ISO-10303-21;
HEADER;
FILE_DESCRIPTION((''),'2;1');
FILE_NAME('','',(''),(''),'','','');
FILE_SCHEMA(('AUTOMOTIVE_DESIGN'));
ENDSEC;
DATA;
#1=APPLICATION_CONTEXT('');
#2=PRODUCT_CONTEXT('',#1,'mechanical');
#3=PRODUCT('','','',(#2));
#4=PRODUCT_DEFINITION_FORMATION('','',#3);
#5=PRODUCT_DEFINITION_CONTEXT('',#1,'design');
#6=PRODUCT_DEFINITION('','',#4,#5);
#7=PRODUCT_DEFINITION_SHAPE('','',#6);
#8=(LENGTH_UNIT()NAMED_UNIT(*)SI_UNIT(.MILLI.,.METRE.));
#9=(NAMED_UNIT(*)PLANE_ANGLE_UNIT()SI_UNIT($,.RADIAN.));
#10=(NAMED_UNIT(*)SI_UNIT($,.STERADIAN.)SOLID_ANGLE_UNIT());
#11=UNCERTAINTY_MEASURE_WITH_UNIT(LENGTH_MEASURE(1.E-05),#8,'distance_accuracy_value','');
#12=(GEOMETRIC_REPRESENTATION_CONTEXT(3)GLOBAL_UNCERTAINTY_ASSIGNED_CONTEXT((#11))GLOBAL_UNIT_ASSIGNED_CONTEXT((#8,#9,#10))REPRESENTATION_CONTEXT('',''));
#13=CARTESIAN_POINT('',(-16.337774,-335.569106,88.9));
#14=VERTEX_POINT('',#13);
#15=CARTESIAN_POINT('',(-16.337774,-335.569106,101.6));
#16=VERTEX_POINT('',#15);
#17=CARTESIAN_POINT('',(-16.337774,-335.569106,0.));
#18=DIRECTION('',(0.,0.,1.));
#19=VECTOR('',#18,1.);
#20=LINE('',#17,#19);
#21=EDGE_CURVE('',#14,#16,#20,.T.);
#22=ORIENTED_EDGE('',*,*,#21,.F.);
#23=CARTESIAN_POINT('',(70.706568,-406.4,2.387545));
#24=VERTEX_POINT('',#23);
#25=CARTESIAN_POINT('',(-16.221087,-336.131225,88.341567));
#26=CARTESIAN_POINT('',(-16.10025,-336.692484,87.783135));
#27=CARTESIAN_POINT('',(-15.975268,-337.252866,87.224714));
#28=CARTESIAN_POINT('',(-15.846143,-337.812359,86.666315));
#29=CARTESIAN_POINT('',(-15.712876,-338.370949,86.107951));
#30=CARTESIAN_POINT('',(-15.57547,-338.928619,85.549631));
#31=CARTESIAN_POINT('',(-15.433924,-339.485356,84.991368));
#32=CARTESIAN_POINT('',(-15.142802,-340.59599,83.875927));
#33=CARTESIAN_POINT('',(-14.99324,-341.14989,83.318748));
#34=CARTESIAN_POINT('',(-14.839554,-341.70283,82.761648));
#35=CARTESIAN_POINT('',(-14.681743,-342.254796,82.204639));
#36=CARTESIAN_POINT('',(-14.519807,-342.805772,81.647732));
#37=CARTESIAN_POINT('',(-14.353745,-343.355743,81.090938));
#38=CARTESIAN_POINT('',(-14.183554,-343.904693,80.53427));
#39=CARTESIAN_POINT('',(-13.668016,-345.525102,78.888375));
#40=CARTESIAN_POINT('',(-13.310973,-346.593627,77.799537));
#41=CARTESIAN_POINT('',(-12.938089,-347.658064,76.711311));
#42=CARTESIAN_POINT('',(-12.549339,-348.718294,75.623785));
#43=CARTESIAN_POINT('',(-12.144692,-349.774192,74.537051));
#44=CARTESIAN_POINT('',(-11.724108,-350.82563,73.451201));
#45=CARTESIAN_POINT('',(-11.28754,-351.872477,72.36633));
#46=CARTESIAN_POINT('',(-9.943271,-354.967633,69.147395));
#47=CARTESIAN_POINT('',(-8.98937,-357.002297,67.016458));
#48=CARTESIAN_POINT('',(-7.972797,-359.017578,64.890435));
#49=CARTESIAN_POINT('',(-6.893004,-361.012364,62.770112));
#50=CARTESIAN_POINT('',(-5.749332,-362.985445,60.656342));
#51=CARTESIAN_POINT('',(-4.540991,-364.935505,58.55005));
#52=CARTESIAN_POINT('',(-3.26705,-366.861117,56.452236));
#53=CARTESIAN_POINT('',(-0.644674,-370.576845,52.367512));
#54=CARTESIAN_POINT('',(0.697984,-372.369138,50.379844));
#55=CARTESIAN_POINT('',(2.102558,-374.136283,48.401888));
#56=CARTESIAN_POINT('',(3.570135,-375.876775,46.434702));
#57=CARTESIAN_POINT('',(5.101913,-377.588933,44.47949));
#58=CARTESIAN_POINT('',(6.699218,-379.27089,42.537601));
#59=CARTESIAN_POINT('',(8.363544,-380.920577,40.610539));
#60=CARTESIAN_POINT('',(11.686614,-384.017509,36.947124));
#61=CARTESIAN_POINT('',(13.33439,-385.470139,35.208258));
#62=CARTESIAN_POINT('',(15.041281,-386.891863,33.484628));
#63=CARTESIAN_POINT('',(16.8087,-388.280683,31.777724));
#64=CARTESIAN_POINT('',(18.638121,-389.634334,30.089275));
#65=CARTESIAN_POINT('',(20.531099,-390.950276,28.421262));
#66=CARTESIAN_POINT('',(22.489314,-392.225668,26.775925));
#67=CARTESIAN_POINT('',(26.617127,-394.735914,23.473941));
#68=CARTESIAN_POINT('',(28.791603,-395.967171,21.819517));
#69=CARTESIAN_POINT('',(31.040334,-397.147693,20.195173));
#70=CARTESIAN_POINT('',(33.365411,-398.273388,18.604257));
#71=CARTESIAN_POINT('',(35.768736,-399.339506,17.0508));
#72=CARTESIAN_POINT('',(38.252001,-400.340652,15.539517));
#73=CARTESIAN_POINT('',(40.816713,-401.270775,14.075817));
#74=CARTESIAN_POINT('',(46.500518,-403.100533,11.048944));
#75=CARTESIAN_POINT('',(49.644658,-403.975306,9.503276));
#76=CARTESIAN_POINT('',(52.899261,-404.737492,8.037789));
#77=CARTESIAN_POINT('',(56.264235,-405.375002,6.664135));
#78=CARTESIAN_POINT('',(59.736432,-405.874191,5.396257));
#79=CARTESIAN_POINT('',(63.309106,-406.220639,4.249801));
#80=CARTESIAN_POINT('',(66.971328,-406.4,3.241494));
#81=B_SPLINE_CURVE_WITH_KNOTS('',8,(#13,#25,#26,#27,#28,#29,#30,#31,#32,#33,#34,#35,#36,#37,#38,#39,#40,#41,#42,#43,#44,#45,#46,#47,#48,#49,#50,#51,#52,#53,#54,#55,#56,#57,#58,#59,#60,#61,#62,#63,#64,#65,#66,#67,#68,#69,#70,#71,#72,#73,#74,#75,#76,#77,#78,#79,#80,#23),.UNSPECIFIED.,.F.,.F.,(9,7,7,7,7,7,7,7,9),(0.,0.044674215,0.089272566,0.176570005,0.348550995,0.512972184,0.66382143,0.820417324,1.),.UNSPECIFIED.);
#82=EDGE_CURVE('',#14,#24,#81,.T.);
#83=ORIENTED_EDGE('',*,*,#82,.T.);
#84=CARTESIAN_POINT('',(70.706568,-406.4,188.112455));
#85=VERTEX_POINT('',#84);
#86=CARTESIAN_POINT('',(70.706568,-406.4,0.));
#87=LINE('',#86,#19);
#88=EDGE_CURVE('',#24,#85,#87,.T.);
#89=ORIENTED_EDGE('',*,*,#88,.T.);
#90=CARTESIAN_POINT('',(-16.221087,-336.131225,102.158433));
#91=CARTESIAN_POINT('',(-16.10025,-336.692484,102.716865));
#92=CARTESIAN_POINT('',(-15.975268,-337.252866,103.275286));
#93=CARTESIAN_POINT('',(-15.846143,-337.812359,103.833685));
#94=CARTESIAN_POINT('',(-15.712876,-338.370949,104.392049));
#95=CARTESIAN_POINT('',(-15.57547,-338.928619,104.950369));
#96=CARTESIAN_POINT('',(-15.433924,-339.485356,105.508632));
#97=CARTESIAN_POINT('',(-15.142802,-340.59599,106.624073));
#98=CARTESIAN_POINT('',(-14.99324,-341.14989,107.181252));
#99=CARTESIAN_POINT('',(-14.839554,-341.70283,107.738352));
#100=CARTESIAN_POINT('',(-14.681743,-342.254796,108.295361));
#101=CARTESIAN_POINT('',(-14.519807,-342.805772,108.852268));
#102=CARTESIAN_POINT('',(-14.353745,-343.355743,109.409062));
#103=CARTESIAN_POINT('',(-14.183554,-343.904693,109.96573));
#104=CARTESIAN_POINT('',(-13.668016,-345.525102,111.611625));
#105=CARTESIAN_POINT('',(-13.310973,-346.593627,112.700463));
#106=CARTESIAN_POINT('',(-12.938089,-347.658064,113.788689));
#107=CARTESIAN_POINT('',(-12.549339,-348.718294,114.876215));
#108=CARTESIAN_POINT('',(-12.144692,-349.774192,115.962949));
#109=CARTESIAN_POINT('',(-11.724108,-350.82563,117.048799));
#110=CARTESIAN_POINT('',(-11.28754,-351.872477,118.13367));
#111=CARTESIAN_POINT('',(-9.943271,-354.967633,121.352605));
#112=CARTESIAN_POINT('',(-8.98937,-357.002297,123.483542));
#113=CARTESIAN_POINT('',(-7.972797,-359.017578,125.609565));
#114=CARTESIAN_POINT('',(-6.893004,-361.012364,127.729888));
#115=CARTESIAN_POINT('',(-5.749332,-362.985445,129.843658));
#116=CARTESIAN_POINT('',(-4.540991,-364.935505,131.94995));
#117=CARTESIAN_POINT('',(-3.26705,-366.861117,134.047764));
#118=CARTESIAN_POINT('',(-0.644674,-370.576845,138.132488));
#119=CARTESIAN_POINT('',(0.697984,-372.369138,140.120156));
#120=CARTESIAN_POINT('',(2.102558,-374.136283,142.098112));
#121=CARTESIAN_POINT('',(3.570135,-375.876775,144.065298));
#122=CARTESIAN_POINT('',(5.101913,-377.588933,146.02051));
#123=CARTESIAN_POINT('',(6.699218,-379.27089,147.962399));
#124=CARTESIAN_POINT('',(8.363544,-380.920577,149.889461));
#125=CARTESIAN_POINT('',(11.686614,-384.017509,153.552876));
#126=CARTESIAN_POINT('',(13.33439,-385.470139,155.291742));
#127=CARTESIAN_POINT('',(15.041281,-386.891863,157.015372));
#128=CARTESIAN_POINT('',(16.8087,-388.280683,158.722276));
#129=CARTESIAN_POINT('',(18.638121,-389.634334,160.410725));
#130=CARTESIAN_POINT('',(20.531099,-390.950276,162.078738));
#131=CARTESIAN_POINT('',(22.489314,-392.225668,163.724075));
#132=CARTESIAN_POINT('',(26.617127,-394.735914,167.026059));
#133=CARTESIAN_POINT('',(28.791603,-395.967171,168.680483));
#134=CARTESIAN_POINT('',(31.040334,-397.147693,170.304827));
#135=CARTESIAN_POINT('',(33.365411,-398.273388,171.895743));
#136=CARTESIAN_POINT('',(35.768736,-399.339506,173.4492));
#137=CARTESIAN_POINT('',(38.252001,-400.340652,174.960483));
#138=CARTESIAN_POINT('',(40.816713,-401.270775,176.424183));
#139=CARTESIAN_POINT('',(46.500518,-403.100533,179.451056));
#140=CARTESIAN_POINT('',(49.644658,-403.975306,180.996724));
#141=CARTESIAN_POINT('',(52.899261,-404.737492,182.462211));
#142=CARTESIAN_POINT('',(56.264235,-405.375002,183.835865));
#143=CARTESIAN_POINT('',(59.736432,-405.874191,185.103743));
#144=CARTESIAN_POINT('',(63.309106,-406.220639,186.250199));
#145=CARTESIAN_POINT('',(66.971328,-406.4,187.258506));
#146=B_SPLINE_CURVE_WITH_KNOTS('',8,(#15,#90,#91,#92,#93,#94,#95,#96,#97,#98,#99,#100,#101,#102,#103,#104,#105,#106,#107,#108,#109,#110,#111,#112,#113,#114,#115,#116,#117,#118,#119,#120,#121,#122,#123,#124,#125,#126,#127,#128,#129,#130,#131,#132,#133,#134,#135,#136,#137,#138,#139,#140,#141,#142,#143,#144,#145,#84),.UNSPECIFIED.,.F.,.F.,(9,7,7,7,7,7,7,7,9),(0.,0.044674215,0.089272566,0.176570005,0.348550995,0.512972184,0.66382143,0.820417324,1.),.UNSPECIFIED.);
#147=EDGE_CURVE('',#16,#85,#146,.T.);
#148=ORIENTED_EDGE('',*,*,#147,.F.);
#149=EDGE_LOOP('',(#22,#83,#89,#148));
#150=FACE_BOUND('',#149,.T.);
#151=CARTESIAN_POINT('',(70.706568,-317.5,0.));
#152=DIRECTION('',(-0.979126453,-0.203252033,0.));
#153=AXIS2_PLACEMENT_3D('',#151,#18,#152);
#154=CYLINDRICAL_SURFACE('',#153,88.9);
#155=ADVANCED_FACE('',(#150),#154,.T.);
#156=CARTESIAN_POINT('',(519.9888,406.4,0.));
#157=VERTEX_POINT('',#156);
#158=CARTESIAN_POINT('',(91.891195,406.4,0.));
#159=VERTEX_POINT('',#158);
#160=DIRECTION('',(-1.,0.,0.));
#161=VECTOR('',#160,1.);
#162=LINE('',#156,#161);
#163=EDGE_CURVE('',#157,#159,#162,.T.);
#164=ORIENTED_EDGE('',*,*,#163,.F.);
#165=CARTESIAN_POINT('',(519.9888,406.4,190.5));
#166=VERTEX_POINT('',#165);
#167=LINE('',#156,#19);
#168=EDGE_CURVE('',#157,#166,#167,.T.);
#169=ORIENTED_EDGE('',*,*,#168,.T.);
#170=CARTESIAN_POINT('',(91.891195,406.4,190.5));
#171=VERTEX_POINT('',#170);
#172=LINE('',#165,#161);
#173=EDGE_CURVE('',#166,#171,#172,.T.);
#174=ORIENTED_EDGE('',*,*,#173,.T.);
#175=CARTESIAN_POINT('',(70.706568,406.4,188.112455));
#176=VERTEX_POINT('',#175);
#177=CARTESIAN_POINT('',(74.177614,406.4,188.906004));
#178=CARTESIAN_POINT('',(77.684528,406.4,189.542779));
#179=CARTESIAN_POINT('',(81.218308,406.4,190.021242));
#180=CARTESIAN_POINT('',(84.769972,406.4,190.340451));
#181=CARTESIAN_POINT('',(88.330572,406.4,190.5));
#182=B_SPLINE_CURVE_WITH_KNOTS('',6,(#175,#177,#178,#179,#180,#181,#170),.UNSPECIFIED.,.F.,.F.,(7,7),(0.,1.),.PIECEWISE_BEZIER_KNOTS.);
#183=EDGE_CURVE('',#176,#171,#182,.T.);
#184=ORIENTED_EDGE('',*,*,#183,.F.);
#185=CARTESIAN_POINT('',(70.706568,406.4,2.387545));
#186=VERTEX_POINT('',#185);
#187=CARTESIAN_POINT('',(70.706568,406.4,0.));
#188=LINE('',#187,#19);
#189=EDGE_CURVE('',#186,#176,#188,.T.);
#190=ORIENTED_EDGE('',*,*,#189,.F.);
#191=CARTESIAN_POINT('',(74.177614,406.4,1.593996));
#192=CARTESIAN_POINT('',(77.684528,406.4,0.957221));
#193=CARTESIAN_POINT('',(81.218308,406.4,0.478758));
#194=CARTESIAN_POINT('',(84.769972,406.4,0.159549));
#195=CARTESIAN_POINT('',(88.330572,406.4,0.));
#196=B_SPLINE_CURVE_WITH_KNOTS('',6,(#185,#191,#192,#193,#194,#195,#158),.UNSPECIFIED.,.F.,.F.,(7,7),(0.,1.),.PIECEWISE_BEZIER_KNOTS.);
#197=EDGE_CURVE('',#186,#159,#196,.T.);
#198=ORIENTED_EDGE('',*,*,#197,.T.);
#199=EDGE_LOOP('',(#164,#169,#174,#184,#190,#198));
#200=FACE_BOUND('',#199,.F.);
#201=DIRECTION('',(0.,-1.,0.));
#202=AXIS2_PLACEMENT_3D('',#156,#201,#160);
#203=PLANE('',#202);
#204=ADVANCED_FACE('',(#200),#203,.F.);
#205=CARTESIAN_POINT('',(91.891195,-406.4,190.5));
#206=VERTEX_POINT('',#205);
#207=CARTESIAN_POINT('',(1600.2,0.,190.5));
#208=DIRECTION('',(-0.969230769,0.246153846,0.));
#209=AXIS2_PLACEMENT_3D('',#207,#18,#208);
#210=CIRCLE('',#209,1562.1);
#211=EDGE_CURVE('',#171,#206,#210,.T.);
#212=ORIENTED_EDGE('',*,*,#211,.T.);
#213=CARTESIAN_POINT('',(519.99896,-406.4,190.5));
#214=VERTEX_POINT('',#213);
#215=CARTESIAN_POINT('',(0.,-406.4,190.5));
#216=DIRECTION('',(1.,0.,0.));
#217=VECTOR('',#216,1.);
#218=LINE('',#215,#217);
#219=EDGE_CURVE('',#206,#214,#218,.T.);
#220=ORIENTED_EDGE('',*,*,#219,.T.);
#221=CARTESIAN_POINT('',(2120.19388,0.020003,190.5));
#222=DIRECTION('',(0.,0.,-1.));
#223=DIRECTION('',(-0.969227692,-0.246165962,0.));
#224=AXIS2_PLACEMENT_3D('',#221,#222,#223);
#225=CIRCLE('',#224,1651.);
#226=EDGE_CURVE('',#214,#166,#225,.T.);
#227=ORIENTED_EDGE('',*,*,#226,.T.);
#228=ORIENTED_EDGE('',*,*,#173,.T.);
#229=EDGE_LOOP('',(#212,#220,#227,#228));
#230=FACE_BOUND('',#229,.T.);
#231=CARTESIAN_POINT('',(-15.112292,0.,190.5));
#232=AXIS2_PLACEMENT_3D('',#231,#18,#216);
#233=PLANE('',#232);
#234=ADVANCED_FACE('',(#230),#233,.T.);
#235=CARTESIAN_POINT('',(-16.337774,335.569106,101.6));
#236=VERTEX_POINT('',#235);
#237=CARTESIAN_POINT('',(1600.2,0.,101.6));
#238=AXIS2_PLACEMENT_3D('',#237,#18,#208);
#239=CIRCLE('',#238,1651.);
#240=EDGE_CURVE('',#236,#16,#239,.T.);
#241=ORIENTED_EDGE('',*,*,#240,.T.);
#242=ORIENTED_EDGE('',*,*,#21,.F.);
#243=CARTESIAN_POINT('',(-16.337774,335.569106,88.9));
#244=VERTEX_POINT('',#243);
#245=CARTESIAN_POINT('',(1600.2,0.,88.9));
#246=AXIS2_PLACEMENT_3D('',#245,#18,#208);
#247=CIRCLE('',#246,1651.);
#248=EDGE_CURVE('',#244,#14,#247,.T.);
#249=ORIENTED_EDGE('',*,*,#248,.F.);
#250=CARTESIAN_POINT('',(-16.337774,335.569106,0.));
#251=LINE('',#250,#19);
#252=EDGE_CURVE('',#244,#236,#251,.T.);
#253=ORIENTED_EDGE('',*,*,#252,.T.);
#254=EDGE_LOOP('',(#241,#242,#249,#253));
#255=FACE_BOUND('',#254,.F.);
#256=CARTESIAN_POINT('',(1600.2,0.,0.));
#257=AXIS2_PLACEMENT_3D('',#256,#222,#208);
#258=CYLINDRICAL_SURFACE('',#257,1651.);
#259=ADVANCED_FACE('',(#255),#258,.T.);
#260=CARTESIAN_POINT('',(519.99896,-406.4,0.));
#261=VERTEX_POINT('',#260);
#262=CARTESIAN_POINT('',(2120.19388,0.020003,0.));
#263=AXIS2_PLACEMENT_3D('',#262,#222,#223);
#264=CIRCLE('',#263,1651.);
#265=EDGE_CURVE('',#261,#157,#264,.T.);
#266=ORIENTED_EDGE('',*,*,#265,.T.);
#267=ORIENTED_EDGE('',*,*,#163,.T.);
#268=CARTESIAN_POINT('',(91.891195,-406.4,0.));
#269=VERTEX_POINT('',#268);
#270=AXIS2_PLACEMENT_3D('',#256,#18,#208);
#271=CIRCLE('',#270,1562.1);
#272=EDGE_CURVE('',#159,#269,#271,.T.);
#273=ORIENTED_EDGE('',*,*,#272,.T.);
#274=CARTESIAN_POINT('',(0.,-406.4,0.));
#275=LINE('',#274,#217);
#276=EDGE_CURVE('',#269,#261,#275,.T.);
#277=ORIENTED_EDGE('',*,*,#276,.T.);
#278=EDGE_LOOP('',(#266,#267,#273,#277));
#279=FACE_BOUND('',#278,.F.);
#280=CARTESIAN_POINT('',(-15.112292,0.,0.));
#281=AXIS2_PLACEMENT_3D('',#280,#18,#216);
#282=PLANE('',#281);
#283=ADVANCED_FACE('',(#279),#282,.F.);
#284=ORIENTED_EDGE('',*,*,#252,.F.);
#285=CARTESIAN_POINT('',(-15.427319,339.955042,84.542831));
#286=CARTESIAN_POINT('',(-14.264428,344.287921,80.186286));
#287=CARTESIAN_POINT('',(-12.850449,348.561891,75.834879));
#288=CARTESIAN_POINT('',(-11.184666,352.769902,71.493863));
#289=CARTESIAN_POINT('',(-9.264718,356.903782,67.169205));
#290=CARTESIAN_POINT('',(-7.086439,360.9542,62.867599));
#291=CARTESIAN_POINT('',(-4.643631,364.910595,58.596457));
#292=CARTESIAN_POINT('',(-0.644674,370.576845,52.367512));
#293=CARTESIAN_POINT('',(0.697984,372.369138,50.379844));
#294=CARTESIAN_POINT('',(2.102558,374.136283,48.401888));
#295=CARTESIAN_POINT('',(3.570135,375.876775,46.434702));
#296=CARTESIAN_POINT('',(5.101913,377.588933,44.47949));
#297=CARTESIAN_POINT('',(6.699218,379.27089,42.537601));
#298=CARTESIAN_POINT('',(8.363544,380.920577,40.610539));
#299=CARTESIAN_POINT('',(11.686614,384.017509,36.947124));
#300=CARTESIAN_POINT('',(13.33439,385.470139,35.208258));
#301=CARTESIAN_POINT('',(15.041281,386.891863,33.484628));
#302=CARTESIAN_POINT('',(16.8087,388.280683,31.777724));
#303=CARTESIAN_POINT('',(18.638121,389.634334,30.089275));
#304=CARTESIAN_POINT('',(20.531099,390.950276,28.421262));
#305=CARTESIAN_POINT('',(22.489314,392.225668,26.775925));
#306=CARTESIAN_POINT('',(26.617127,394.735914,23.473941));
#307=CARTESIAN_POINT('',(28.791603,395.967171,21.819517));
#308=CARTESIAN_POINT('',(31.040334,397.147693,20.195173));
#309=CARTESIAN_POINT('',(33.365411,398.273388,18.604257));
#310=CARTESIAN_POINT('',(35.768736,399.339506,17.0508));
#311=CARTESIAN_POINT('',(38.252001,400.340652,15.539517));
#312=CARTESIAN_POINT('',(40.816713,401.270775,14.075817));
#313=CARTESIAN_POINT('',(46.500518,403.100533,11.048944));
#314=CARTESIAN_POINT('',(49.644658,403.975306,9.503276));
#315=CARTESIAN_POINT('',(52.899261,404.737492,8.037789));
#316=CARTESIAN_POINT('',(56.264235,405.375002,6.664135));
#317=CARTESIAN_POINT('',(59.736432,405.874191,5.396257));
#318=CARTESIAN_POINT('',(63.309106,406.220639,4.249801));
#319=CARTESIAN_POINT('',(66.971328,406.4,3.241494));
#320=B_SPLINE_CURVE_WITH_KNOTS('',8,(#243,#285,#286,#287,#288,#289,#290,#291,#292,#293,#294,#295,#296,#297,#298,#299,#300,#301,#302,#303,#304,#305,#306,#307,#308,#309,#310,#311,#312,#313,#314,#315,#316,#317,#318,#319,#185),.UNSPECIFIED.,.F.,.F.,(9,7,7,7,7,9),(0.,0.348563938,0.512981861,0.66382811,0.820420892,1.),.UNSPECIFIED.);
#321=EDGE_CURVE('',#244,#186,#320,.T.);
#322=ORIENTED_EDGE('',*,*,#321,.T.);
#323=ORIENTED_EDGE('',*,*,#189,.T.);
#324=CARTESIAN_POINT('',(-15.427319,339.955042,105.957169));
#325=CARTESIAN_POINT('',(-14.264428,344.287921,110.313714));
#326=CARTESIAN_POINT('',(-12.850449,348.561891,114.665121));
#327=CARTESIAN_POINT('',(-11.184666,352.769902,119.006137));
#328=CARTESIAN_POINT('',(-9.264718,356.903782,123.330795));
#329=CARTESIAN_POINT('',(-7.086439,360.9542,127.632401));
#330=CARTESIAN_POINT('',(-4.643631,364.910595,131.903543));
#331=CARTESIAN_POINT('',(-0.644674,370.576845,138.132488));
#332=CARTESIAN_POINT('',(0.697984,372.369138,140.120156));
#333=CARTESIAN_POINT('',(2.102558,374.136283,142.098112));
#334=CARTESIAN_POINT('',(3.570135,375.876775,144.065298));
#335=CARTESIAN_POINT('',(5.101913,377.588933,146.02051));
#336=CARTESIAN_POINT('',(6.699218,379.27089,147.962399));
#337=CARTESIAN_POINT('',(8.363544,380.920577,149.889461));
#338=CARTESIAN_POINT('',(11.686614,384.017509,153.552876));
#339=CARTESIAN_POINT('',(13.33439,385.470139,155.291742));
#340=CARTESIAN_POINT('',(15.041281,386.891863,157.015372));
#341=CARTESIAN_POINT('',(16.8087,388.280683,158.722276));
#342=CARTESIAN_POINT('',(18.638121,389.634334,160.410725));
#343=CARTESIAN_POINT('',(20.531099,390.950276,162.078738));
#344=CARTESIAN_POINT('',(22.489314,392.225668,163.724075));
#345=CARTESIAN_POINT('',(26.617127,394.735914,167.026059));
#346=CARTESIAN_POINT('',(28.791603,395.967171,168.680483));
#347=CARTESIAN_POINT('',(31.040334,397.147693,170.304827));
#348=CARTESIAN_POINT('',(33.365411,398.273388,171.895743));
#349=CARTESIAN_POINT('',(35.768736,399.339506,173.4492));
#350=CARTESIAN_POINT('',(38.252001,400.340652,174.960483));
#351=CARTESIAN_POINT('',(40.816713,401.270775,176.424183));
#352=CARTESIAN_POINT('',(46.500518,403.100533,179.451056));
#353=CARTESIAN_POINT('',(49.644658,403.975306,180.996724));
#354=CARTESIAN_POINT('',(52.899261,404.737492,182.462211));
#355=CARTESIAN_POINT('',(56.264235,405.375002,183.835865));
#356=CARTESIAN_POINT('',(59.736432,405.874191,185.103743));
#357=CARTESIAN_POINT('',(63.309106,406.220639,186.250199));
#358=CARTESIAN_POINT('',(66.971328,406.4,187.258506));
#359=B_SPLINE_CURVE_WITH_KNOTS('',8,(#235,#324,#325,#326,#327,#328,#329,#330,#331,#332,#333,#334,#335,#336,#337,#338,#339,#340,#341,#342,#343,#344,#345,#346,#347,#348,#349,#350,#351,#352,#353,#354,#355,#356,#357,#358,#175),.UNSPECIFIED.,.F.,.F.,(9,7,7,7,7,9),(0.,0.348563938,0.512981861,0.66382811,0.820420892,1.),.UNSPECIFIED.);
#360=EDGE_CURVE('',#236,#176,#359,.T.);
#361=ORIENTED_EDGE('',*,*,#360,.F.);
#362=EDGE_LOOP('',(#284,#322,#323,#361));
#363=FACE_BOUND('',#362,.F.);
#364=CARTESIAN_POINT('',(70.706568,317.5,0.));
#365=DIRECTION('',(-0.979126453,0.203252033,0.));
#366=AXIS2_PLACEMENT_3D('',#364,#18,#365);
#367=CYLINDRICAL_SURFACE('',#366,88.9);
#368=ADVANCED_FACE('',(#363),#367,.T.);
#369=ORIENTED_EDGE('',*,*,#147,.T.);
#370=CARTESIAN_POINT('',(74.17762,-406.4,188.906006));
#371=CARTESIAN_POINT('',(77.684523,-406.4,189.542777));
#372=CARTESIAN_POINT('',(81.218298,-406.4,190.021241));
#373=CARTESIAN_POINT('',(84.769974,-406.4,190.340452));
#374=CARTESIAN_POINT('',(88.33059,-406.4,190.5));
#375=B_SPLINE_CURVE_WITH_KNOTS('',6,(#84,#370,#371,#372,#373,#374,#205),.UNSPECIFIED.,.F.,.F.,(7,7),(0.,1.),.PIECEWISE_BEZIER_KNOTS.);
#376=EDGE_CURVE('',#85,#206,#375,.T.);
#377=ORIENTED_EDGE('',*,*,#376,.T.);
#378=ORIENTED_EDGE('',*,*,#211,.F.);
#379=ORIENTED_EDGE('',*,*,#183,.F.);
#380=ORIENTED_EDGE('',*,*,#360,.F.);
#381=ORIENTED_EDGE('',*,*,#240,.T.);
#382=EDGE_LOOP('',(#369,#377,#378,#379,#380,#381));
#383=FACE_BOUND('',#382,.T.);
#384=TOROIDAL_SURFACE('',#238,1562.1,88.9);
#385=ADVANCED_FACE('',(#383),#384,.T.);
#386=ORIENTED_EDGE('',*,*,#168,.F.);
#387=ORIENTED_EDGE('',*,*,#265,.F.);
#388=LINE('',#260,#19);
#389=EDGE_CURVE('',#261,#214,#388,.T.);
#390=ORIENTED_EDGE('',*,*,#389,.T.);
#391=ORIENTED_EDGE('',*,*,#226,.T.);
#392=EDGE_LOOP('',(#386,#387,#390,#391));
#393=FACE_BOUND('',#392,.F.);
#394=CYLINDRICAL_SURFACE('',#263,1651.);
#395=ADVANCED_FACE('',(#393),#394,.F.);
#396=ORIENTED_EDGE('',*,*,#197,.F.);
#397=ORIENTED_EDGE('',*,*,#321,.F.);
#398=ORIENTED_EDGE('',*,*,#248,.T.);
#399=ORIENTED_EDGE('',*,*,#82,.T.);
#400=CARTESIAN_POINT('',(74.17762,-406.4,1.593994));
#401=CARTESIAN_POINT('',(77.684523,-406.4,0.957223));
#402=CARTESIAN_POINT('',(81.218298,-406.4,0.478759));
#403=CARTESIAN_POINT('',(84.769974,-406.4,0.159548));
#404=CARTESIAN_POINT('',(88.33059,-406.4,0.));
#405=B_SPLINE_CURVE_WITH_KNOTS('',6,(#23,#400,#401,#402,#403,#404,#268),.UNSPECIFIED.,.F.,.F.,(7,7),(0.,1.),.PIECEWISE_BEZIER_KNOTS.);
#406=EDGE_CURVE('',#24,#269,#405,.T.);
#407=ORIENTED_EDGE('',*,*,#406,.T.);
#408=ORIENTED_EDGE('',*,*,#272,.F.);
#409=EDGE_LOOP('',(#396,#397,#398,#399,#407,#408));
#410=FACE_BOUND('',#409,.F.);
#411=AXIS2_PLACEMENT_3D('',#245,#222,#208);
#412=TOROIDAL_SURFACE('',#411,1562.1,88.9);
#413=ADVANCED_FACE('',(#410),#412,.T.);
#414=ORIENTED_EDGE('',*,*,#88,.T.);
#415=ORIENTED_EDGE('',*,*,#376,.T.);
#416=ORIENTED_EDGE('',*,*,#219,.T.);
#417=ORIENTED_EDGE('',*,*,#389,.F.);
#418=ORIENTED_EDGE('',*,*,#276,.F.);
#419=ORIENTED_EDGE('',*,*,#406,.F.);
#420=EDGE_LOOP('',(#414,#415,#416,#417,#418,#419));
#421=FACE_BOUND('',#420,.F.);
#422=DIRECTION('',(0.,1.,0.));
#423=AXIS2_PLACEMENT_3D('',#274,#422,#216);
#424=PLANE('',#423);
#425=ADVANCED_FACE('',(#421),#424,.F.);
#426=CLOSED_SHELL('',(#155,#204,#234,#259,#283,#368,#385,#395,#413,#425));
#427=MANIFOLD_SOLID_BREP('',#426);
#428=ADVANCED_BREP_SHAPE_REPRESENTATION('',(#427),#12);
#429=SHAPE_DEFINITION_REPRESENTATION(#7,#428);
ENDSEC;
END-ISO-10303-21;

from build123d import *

# Parameters (mm, degrees)
F1_DEPTH = 190.5
F2_R     = 88.9


with BuildPart() as f1:
    # F0 (on Top) → F1 (new body)
    with BuildSketch(Plane.XY):
        with BuildLine():
            Line((0, -406.4), (0, 0))
            Line((0, 0), (0, 406.4))
            ThreePointArc((0, 406.4), (-50.8, 0), (0, -406.4))
        make_face()
        with BuildLine():
            Line((0, 406.4), (0, 0))
            Line((0, 0), (0, -406.4))
            Line((0, -406.4), (519.99896, -406.4))
            ThreePointArc((519.99896, -406.4), (469.19388, -0.000635), (519.9888, 406.4))
            Line((519.9888, 406.4), (0, 406.4))
        make_face()
    extrude(amount=F1_DEPTH)

    # F2
    f2_edges = [f1.edges().sort_by_distance(p)[0] for p in [
        (0, 406.4, 95.25),
        (0, -406.4, 95.25),
        (-50.8, 0, 0),
        (-50.8, 0, 190.5),
    ]]
    fillet(f2_edges, radius=F2_R)


solid = f1.part
